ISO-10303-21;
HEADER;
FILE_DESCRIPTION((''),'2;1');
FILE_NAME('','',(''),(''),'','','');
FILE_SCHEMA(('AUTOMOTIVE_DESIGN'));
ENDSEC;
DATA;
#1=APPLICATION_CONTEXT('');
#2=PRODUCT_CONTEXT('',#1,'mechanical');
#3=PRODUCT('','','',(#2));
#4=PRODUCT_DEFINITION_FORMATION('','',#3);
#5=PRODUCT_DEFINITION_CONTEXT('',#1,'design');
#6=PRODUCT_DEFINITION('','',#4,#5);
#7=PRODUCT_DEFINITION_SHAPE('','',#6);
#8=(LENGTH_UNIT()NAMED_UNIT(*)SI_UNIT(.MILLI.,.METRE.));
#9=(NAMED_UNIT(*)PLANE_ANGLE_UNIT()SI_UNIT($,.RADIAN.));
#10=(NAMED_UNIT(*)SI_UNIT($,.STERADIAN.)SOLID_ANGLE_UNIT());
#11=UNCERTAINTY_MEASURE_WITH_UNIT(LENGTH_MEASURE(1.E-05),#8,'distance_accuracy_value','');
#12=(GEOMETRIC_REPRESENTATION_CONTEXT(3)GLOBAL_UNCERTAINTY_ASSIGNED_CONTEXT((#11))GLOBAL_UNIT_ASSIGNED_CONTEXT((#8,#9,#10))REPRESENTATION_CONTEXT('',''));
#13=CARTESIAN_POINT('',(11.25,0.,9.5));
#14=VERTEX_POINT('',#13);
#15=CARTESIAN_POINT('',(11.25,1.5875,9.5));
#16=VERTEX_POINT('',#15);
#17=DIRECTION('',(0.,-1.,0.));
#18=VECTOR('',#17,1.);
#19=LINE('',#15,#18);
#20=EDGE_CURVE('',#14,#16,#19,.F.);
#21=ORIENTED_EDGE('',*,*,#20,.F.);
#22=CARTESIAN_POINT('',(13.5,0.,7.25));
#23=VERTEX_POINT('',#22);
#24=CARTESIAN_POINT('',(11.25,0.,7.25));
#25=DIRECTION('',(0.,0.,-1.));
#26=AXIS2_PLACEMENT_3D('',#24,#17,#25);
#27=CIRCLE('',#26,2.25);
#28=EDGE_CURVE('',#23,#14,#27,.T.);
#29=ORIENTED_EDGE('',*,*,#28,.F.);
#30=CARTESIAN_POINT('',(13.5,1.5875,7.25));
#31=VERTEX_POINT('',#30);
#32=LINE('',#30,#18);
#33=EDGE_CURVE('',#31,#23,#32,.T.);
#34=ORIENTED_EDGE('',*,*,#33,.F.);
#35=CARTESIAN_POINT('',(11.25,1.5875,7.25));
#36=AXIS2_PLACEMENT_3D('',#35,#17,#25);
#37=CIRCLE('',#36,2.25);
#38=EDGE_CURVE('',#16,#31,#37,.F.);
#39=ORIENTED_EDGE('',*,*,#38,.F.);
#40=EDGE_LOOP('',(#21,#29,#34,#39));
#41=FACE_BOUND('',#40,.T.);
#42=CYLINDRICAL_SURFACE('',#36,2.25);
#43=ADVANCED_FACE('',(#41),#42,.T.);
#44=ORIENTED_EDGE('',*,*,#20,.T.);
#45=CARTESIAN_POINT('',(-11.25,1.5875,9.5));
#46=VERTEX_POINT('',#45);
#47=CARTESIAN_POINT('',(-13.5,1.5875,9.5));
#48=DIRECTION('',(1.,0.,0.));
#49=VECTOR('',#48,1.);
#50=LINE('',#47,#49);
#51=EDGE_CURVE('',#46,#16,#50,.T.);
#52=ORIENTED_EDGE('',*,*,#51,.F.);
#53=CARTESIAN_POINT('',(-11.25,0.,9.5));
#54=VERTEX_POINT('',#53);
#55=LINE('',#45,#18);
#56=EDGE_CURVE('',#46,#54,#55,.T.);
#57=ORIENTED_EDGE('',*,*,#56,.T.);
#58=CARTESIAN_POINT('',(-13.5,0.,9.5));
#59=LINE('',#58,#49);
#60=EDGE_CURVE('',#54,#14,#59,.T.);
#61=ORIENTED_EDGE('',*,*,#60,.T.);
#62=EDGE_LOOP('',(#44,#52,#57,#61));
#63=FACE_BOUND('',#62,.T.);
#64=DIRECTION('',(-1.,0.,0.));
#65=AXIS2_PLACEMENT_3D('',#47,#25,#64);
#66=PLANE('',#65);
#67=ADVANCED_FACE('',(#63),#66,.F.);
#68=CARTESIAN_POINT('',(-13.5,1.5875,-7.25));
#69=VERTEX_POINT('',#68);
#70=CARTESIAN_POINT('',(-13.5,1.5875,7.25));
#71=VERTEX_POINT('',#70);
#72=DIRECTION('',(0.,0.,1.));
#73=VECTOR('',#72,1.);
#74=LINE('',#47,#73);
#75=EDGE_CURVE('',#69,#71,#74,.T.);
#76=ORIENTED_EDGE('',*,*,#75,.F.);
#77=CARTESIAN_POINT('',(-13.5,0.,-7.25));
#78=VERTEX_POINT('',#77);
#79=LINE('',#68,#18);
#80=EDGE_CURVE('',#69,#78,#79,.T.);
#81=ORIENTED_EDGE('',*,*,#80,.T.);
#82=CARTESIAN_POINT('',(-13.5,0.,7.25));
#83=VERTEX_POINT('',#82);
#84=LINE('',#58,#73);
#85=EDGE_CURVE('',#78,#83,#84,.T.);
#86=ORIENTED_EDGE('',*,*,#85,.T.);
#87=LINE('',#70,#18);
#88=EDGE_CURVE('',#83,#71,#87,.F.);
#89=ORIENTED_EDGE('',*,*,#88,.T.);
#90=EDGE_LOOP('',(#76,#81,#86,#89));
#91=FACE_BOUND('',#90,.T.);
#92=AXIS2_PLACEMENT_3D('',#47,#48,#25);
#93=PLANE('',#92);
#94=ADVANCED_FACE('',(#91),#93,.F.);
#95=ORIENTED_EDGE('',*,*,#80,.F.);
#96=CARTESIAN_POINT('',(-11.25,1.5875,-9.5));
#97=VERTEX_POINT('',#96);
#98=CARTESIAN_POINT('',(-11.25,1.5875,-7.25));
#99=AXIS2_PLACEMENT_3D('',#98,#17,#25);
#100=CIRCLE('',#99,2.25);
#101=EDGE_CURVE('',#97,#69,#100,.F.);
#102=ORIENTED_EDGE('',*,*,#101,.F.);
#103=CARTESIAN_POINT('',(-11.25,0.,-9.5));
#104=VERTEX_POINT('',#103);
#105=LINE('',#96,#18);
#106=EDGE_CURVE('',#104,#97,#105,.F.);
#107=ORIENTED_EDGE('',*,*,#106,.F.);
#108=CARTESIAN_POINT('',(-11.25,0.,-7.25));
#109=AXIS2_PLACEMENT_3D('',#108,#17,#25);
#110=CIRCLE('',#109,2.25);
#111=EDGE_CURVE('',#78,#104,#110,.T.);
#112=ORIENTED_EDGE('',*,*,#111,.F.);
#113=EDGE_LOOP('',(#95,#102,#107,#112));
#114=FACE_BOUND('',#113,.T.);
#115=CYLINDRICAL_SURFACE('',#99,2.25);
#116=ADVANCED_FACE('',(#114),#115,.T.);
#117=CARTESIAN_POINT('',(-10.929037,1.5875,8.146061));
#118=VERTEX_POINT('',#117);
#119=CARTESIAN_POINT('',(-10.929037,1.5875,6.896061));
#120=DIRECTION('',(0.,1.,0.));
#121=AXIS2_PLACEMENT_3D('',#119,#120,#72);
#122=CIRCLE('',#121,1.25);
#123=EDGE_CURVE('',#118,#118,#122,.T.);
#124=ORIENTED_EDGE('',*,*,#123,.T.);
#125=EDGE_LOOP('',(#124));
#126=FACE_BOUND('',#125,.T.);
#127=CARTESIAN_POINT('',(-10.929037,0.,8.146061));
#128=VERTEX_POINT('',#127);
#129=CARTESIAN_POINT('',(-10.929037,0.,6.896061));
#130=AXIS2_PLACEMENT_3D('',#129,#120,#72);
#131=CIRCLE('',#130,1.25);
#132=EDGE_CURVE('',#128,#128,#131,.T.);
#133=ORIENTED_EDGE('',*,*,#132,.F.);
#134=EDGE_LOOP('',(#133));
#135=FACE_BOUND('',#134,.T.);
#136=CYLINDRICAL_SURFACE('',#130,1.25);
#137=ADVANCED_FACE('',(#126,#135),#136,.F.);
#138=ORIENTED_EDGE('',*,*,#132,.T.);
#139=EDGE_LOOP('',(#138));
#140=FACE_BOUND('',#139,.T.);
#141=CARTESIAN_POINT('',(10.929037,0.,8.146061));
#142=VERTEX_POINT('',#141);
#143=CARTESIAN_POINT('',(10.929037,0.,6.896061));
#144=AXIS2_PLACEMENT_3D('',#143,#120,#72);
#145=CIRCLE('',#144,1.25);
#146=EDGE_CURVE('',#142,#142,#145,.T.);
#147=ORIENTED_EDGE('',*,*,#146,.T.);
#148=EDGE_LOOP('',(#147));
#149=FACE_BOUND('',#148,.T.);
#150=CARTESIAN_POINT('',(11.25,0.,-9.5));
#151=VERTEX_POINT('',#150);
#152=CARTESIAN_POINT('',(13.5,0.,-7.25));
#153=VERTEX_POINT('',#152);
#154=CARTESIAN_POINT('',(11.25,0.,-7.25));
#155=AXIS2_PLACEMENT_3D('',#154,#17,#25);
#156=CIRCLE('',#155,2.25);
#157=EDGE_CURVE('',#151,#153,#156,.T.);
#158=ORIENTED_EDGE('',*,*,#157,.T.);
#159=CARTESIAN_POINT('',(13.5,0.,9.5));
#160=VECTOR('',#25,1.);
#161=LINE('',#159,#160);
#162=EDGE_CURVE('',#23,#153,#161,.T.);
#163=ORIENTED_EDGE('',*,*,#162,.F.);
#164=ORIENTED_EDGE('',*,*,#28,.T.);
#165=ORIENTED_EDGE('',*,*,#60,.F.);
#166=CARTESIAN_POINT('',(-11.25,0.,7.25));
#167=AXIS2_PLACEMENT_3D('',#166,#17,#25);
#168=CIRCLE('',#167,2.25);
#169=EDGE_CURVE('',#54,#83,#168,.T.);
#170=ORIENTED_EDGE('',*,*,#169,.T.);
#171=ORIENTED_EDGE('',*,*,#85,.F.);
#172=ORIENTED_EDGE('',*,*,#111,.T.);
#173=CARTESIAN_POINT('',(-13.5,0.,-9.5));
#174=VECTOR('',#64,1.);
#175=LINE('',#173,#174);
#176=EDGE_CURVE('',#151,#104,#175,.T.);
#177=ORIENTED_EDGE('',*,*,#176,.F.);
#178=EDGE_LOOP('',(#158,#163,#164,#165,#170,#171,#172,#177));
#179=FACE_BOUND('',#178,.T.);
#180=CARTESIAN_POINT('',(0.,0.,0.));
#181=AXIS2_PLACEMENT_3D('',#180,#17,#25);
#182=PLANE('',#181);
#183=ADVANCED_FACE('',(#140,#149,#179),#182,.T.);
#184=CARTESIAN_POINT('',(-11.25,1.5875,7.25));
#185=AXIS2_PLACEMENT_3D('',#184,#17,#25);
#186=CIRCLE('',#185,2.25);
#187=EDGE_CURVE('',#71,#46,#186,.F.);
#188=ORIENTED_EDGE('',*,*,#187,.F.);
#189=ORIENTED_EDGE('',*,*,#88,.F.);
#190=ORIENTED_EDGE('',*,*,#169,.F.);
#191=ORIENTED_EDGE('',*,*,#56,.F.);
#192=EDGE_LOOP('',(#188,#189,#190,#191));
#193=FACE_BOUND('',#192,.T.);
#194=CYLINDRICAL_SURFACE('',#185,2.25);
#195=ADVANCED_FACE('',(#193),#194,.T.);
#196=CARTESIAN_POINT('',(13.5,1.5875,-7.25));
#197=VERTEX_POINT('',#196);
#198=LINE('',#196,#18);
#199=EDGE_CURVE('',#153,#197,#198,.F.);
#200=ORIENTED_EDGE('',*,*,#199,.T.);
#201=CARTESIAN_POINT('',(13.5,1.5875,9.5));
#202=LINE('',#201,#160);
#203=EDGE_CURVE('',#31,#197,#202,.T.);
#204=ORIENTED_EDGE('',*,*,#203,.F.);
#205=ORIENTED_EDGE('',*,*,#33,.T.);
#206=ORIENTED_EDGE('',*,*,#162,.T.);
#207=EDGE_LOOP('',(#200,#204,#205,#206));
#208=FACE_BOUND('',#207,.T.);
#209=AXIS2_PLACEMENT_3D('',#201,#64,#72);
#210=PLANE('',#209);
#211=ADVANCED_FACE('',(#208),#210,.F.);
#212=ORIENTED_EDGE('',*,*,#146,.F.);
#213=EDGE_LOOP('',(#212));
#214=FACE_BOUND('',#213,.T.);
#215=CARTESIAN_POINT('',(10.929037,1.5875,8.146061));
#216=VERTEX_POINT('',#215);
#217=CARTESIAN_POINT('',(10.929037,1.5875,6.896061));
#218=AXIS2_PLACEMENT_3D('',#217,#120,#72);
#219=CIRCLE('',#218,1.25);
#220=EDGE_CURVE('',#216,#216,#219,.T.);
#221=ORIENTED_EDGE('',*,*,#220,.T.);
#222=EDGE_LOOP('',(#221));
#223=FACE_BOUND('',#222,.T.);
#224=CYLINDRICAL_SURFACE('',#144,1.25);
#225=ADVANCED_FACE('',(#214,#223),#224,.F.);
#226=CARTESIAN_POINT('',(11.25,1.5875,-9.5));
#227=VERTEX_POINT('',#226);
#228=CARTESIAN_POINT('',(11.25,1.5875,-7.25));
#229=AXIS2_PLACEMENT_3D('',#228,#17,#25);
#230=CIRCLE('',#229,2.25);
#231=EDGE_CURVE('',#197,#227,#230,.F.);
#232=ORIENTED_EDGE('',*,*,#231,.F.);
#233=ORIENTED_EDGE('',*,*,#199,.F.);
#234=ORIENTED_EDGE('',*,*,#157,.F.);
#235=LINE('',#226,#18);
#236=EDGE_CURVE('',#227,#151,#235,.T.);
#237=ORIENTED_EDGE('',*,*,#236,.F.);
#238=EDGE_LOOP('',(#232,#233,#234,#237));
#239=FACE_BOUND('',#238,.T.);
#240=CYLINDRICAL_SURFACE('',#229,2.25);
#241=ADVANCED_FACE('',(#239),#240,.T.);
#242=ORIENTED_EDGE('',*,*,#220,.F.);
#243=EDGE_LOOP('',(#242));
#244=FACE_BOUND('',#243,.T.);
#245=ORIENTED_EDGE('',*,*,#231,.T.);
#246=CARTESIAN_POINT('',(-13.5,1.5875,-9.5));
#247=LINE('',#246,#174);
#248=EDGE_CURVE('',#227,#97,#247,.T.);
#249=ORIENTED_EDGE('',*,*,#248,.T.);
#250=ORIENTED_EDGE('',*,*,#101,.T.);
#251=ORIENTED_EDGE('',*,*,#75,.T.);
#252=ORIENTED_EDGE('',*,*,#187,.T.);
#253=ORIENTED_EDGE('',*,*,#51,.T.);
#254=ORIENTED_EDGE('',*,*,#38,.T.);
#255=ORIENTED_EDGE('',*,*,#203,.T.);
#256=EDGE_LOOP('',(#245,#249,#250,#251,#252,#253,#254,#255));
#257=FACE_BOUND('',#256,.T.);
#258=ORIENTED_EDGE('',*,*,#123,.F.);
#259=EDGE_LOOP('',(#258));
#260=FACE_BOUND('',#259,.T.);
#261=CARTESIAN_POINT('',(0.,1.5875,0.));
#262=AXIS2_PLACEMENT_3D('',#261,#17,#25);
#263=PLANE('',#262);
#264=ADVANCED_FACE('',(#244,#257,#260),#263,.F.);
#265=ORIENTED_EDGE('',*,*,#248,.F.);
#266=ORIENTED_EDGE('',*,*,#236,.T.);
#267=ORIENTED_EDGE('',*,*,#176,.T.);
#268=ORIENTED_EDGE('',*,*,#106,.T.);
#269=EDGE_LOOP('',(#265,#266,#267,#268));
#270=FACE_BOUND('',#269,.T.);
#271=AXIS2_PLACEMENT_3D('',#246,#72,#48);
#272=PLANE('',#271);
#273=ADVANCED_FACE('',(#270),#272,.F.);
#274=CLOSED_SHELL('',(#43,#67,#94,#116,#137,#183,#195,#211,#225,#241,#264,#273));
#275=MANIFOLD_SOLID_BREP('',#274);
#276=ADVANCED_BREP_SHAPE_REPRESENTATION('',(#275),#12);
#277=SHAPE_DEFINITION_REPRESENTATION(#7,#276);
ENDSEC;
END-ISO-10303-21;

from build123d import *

# Parameters (mm, degrees)
SKETCH1_W           = 27
SKETCH1_H           = 19
BOSS_EXTRUDE1_DEPTH = 1.5875
FILLET1_R           = 2.25
SKETCH3_R           = 1.25
CUT_EXTRUDE1_DEPTH  = 17.583731674


with BuildPart() as part:
    # Sketch1 → Boss-Extrude1 (new body)
    with BuildSketch(Plane(origin=(0, 0, 0), x_dir=(1, 0, 0), z_dir=(0, 1, 0))):
        Rectangle(SKETCH1_W, SKETCH1_H)
    extrude(amount=BOSS_EXTRUDE1_DEPTH)

    # Fillet1
    fillet1_edges = [part.edges().sort_by_distance(p)[0] for p in [
        (13.5, 0.79375, 9.5),
        (-13.5, 0.79375, 9.5),
        (-13.5, 0.79375, -9.5),
        (13.5, 0.79375, -9.5),
    ]]
    fillet(fillet1_edges, radius=FILLET1_R)

    # Sketch3 → Cut-Extrude1 (cut, through all)
    with BuildSketch(Plane(origin=(0, 1.5875, 0), x_dir=(1, 0, 0), z_dir=(0, 1, 0))):
        with Locations(Location((-10.929036637, -6.89606103, 0), (0, 0, 270))):
            Circle(SKETCH3_R)
        with Locations(Location((10.929036637, -6.89606103, 0), (0, 0, 270))):
            Circle(SKETCH3_R)
    extrude(amount=-CUT_EXTRUDE1_DEPTH, mode=Mode.SUBTRACT)


solid = part.part
